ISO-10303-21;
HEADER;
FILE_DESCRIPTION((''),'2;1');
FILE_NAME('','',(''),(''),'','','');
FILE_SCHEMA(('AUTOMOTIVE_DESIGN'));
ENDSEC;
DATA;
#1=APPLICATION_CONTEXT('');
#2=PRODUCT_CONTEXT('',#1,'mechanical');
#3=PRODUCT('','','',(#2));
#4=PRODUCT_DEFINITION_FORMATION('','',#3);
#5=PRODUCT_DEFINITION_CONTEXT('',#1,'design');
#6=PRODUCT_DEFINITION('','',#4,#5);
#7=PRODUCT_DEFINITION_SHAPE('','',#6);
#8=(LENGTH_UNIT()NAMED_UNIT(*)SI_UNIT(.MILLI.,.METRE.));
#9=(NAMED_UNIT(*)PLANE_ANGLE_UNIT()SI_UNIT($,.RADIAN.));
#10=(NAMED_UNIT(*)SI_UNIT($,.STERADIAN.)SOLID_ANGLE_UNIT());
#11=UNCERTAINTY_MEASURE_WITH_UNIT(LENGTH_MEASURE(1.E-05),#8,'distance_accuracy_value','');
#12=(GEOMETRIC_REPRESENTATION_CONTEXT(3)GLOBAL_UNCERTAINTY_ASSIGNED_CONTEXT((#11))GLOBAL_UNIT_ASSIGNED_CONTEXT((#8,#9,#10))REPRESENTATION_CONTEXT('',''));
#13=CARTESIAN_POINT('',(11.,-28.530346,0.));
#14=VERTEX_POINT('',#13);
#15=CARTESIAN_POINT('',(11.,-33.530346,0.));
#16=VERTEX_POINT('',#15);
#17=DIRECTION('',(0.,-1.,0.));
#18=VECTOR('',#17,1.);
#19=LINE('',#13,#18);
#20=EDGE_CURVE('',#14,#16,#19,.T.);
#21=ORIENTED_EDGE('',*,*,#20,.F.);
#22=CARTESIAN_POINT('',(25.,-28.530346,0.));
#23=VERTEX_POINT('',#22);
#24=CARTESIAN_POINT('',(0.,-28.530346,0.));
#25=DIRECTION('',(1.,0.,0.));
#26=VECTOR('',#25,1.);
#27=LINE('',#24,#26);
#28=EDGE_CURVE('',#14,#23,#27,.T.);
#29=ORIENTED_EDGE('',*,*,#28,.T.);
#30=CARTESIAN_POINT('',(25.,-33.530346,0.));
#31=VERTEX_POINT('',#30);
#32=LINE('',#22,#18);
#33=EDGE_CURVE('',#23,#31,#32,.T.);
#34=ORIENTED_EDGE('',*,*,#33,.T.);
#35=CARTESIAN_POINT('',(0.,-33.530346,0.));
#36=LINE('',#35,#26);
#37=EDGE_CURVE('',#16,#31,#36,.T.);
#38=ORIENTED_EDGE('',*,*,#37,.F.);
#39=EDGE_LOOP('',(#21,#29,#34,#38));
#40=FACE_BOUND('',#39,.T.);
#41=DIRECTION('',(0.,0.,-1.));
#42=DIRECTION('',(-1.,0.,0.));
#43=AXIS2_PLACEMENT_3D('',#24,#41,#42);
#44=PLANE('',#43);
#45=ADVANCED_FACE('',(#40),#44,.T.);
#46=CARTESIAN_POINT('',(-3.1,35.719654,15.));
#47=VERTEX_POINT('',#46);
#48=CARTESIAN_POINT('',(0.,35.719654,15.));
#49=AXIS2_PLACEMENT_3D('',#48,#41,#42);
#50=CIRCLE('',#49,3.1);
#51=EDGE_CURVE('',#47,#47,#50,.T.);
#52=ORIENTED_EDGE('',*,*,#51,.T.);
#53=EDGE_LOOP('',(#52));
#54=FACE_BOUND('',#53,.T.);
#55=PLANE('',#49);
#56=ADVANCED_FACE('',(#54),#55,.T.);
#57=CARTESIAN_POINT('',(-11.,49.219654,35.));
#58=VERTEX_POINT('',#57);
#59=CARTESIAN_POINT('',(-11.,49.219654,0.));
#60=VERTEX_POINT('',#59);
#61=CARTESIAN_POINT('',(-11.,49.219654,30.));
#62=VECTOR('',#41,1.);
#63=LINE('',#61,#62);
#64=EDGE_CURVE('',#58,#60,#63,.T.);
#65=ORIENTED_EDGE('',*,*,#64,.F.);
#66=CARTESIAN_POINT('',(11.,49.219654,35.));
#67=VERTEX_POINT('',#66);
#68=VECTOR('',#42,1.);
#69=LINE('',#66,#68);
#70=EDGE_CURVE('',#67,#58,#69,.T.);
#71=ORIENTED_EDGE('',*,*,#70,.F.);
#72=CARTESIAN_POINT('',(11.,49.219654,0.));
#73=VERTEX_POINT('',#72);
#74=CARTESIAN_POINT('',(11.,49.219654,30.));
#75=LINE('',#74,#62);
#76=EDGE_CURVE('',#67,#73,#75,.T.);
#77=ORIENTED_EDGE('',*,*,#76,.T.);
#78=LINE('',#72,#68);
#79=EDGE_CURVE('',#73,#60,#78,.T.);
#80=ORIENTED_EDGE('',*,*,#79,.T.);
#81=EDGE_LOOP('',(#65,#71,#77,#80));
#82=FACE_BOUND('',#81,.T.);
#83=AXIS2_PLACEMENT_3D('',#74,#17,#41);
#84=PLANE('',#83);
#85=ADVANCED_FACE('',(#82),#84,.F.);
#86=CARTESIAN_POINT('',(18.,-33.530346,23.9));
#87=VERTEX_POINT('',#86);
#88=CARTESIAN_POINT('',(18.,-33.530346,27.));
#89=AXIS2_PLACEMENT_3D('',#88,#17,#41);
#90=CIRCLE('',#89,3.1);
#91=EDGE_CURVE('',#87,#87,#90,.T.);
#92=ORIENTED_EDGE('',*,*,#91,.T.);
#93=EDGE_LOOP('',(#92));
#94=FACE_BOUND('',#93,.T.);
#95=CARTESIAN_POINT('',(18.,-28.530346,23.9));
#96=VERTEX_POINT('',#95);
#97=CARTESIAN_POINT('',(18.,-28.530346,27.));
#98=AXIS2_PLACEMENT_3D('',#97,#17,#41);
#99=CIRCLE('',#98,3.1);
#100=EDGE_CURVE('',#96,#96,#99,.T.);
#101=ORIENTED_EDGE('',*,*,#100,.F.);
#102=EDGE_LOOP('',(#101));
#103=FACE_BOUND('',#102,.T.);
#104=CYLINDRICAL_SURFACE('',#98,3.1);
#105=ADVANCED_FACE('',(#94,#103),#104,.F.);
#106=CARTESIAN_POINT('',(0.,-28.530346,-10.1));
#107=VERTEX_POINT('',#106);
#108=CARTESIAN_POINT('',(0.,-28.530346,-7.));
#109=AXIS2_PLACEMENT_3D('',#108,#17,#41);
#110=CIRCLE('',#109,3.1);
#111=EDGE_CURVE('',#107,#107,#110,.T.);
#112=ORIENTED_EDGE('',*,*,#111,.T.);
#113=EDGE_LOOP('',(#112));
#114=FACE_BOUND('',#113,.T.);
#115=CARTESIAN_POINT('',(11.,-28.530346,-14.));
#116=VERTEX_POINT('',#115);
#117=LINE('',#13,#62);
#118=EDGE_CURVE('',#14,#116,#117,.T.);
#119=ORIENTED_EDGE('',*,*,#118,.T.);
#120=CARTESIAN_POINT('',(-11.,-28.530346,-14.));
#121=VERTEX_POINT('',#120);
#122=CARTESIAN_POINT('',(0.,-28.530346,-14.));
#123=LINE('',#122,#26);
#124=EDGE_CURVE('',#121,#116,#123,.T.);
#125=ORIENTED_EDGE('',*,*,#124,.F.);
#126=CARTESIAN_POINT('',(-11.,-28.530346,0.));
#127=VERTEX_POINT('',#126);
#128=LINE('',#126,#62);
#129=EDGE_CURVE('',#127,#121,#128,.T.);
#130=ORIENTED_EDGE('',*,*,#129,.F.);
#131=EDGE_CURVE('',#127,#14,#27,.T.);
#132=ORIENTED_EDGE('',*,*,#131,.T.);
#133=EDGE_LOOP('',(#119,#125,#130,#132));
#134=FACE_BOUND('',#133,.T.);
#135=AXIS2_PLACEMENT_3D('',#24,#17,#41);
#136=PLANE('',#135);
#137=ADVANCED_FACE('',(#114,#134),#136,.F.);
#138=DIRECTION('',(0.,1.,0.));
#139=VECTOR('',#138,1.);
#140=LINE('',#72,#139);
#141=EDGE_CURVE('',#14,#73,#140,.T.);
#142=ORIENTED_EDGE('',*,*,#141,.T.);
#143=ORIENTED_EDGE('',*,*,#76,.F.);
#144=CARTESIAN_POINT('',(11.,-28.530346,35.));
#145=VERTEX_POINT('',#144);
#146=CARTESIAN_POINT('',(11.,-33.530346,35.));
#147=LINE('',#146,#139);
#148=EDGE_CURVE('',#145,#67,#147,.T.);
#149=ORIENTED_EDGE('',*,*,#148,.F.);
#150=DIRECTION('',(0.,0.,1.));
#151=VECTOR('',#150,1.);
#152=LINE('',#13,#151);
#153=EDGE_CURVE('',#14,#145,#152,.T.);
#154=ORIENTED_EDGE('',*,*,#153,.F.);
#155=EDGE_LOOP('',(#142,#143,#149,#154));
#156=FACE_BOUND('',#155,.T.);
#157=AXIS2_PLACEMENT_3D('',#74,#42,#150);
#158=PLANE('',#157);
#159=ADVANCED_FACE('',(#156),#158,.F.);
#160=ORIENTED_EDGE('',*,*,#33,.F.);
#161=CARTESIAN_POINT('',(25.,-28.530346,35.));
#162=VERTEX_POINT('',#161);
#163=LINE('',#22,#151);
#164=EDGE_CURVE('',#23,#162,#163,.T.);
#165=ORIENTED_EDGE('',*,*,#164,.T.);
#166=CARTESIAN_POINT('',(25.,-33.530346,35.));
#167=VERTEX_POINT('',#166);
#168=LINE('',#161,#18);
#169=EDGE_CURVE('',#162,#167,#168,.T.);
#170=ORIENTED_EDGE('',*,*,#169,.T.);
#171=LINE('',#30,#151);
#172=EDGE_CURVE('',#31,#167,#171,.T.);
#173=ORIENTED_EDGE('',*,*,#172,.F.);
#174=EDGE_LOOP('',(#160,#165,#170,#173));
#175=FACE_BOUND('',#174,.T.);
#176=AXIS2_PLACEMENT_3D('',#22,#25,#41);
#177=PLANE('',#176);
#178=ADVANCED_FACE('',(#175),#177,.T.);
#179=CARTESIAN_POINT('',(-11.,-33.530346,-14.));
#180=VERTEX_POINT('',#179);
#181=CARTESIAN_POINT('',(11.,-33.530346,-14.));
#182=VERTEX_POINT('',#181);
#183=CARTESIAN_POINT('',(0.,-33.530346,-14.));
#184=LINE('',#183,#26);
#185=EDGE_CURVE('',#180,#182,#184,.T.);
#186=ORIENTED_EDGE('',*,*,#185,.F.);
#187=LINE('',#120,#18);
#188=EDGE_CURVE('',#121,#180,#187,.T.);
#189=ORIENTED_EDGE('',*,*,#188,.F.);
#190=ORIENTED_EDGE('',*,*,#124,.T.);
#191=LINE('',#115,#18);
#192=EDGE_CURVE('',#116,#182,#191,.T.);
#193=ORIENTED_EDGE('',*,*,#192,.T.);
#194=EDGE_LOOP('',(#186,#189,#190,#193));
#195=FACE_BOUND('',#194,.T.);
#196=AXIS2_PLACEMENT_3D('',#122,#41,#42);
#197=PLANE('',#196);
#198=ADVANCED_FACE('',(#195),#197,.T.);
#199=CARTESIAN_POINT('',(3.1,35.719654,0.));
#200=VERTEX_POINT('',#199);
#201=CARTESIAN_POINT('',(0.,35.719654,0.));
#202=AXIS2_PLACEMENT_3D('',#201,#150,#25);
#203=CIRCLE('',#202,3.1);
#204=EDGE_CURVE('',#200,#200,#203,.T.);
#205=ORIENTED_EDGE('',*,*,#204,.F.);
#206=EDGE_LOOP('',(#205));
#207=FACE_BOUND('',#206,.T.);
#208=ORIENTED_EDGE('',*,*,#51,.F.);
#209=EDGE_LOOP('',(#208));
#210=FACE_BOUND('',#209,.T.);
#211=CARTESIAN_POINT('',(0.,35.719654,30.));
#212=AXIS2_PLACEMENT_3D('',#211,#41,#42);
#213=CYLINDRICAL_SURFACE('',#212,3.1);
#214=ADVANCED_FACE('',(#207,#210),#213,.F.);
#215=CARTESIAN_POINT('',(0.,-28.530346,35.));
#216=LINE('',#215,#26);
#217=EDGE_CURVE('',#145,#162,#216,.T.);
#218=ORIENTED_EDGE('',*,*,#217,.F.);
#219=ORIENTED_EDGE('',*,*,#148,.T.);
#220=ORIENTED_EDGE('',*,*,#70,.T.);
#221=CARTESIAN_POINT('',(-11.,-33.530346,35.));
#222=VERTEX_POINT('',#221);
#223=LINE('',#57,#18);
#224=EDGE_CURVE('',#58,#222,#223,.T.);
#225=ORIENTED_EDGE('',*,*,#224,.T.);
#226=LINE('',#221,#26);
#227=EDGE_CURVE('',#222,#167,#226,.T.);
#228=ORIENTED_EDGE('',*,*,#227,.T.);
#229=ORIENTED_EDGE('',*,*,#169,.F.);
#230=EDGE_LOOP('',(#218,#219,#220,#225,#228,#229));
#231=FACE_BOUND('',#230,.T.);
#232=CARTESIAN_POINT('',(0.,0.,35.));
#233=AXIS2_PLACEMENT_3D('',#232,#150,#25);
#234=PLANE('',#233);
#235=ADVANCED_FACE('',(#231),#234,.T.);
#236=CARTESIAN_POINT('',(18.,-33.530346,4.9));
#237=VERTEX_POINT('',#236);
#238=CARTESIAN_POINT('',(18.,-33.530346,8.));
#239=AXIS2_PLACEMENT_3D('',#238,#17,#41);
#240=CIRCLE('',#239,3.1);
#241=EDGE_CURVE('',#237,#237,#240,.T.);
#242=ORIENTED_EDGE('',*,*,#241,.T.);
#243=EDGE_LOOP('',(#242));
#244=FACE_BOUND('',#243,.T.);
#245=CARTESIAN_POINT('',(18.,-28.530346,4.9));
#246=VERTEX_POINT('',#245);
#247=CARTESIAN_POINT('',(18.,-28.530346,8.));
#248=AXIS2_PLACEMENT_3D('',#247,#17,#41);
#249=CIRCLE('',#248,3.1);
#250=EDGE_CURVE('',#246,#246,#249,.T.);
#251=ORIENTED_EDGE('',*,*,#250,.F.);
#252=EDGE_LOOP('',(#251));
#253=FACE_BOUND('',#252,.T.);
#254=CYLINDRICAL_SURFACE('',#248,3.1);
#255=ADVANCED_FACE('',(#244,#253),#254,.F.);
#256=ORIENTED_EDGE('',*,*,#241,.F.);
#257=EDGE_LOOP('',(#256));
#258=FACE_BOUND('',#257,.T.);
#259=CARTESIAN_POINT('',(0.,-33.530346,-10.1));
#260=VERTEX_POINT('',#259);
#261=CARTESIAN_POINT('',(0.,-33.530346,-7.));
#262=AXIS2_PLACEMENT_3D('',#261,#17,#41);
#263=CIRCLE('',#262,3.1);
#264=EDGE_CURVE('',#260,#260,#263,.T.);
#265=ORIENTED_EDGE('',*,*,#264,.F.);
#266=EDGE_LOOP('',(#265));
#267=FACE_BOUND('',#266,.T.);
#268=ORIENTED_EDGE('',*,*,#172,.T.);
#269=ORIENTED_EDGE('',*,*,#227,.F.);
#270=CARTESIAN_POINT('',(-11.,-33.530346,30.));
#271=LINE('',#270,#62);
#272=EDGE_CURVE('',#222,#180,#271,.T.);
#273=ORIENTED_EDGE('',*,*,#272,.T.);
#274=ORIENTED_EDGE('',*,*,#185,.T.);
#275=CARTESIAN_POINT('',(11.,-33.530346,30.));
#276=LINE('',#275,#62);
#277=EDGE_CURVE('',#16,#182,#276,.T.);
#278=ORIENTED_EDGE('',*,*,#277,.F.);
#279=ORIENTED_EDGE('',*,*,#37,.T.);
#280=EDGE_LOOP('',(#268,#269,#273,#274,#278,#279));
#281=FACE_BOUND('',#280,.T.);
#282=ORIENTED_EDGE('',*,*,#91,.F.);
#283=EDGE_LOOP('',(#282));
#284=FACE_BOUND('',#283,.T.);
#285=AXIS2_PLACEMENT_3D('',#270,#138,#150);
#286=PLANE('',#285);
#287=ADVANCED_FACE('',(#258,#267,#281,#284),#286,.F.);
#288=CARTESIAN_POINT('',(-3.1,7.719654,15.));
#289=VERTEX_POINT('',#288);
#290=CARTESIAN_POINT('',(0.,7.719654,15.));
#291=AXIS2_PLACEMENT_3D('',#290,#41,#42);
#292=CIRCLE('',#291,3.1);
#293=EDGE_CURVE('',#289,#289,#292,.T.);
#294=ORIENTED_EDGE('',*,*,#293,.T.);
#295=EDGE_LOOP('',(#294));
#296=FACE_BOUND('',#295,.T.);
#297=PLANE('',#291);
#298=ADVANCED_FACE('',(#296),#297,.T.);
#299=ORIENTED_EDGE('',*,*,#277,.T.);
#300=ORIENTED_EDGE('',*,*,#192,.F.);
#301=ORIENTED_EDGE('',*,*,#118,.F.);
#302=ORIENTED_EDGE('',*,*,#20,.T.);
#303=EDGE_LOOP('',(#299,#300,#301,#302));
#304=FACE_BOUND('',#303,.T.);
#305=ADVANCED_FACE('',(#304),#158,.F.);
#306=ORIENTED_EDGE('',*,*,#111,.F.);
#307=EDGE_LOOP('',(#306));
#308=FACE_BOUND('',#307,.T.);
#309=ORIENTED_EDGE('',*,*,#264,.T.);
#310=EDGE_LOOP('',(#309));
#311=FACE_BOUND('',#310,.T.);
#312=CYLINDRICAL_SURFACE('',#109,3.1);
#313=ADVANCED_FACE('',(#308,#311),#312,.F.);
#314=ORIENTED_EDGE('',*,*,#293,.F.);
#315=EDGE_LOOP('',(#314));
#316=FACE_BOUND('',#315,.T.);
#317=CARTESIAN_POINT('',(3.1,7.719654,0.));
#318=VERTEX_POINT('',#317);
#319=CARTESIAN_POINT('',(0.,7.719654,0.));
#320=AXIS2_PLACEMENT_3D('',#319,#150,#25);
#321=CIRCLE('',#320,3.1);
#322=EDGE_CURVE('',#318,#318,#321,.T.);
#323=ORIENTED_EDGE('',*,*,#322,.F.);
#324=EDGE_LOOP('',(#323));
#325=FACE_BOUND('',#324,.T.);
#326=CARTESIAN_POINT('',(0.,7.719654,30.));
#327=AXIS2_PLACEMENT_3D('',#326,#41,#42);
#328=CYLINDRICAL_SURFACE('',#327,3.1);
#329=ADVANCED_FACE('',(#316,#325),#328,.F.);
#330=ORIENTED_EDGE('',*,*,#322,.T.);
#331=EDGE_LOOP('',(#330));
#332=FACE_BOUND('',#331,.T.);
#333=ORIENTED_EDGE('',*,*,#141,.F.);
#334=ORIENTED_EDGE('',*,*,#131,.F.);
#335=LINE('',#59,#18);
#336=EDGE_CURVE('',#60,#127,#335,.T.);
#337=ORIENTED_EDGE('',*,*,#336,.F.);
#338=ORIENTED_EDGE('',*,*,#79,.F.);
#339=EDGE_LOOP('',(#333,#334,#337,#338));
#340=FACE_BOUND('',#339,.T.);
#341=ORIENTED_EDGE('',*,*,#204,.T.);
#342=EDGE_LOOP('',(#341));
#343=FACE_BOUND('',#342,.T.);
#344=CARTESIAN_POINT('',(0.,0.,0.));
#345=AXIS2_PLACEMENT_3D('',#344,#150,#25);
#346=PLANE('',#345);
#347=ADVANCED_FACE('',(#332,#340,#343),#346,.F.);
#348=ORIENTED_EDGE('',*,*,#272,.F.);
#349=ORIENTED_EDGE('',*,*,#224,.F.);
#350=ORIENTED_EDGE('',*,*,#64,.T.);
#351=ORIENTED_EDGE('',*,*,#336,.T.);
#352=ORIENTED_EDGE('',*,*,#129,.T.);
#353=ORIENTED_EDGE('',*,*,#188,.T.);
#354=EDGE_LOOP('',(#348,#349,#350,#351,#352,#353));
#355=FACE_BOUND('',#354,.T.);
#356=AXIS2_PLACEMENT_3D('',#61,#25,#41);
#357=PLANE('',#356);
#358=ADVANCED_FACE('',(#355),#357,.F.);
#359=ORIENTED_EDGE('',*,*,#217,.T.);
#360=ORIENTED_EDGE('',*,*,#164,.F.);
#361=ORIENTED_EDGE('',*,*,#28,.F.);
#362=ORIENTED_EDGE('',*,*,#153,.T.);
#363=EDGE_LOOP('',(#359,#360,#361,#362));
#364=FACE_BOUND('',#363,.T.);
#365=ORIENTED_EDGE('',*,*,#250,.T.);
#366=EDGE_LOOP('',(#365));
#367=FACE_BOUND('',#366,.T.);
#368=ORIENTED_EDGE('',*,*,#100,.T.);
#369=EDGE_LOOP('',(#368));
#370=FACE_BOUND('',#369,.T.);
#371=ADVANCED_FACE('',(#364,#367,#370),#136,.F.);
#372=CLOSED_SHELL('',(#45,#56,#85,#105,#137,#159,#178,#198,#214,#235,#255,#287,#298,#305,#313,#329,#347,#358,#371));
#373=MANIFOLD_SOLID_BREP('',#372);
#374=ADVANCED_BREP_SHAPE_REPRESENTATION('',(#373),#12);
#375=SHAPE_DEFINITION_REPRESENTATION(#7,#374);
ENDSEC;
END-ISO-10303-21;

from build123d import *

# Parameters (mm, degrees)
SKETCH1_W           = 22
SKETCH1_H           = 82.75
SKETCH1_R           = 3.1
BOSS_EXTRUDE1_DEPTH = 30
SKETCH2_W           = 22
SKETCH2_H           = 82.75
BOSS_EXTRUDE2_DEPTH = 5
SKETCH3_W           = 22
SKETCH3_H           = 14
SKETCH3_R           = 3.1
SKETCH3_W_2         = 14
SKETCH3_H_2         = 35
BOSS_EXTRUDE3_DEPTH = 5
BOSS_EXTRUDE5_START = 15
SKETCH5_R           = 3.1
BOSS_EXTRUDE5_DEPTH = 15


with BuildPart() as part:
    # Sketch1 → Boss-Extrude1 (new body)
    with BuildSketch(Plane.XY):
        with Locations((0, 7.844654309)):
            Rectangle(SKETCH1_W, SKETCH1_H)
        with Locations((0, 35.719654309)):
            Circle(SKETCH1_R, mode=Mode.SUBTRACT)
        with Locations((0, 7.719654309)):
            Circle(SKETCH1_R, mode=Mode.SUBTRACT)
    extrude(amount=BOSS_EXTRUDE1_DEPTH)

    # Sketch2 → Boss-Extrude2 (add)
    with BuildSketch(Plane.XY.offset(30)):
        with Locations((0, 7.844654309)):
            Rectangle(SKETCH2_W, SKETCH2_H)
    extrude(amount=BOSS_EXTRUDE2_DEPTH)

    # Sketch3 → Boss-Extrude3 (add)
    # profile 1 of 2: a face of its own
    with BuildSketch(Plane.XZ.offset(33.530345691)):
        with Locations((0, -7)):
            Rectangle(SKETCH3_W, SKETCH3_H)
        with Locations(Location((0, -7, 0), (0, 0, 270))):
            Circle(SKETCH3_R, mode=Mode.SUBTRACT)
    # profile 2 of 2: a face of its own
    with BuildSketch(Plane.XZ.offset(33.530345691)):
        with Locations((18, 17.5)):
            Rectangle(SKETCH3_W_2, SKETCH3_H_2)
        with Locations(Location((18, 27, 0), (0, 0, 270))):
            Circle(SKETCH3_R, mode=Mode.SUBTRACT)
        with Locations(Location((18, 8, 0), (0, 0, 270))):
            Circle(SKETCH3_R, mode=Mode.SUBTRACT)
    extrude(amount=-BOSS_EXTRUDE3_DEPTH)

    # Sketch5 → Boss-Extrude5 (add)
    with BuildSketch(Plane(origin=(0, 0, 30), x_dir=(-1, 0, 0), z_dir=(0, 0, -1)).offset(BOSS_EXTRUDE5_START)):
        with Locations((0, 7.719654309)):
            Circle(SKETCH5_R)
        with Locations((0, 35.719654309)):
            Circle(SKETCH5_R)
    extrude(amount=-BOSS_EXTRUDE5_DEPTH)


solid = part.part
